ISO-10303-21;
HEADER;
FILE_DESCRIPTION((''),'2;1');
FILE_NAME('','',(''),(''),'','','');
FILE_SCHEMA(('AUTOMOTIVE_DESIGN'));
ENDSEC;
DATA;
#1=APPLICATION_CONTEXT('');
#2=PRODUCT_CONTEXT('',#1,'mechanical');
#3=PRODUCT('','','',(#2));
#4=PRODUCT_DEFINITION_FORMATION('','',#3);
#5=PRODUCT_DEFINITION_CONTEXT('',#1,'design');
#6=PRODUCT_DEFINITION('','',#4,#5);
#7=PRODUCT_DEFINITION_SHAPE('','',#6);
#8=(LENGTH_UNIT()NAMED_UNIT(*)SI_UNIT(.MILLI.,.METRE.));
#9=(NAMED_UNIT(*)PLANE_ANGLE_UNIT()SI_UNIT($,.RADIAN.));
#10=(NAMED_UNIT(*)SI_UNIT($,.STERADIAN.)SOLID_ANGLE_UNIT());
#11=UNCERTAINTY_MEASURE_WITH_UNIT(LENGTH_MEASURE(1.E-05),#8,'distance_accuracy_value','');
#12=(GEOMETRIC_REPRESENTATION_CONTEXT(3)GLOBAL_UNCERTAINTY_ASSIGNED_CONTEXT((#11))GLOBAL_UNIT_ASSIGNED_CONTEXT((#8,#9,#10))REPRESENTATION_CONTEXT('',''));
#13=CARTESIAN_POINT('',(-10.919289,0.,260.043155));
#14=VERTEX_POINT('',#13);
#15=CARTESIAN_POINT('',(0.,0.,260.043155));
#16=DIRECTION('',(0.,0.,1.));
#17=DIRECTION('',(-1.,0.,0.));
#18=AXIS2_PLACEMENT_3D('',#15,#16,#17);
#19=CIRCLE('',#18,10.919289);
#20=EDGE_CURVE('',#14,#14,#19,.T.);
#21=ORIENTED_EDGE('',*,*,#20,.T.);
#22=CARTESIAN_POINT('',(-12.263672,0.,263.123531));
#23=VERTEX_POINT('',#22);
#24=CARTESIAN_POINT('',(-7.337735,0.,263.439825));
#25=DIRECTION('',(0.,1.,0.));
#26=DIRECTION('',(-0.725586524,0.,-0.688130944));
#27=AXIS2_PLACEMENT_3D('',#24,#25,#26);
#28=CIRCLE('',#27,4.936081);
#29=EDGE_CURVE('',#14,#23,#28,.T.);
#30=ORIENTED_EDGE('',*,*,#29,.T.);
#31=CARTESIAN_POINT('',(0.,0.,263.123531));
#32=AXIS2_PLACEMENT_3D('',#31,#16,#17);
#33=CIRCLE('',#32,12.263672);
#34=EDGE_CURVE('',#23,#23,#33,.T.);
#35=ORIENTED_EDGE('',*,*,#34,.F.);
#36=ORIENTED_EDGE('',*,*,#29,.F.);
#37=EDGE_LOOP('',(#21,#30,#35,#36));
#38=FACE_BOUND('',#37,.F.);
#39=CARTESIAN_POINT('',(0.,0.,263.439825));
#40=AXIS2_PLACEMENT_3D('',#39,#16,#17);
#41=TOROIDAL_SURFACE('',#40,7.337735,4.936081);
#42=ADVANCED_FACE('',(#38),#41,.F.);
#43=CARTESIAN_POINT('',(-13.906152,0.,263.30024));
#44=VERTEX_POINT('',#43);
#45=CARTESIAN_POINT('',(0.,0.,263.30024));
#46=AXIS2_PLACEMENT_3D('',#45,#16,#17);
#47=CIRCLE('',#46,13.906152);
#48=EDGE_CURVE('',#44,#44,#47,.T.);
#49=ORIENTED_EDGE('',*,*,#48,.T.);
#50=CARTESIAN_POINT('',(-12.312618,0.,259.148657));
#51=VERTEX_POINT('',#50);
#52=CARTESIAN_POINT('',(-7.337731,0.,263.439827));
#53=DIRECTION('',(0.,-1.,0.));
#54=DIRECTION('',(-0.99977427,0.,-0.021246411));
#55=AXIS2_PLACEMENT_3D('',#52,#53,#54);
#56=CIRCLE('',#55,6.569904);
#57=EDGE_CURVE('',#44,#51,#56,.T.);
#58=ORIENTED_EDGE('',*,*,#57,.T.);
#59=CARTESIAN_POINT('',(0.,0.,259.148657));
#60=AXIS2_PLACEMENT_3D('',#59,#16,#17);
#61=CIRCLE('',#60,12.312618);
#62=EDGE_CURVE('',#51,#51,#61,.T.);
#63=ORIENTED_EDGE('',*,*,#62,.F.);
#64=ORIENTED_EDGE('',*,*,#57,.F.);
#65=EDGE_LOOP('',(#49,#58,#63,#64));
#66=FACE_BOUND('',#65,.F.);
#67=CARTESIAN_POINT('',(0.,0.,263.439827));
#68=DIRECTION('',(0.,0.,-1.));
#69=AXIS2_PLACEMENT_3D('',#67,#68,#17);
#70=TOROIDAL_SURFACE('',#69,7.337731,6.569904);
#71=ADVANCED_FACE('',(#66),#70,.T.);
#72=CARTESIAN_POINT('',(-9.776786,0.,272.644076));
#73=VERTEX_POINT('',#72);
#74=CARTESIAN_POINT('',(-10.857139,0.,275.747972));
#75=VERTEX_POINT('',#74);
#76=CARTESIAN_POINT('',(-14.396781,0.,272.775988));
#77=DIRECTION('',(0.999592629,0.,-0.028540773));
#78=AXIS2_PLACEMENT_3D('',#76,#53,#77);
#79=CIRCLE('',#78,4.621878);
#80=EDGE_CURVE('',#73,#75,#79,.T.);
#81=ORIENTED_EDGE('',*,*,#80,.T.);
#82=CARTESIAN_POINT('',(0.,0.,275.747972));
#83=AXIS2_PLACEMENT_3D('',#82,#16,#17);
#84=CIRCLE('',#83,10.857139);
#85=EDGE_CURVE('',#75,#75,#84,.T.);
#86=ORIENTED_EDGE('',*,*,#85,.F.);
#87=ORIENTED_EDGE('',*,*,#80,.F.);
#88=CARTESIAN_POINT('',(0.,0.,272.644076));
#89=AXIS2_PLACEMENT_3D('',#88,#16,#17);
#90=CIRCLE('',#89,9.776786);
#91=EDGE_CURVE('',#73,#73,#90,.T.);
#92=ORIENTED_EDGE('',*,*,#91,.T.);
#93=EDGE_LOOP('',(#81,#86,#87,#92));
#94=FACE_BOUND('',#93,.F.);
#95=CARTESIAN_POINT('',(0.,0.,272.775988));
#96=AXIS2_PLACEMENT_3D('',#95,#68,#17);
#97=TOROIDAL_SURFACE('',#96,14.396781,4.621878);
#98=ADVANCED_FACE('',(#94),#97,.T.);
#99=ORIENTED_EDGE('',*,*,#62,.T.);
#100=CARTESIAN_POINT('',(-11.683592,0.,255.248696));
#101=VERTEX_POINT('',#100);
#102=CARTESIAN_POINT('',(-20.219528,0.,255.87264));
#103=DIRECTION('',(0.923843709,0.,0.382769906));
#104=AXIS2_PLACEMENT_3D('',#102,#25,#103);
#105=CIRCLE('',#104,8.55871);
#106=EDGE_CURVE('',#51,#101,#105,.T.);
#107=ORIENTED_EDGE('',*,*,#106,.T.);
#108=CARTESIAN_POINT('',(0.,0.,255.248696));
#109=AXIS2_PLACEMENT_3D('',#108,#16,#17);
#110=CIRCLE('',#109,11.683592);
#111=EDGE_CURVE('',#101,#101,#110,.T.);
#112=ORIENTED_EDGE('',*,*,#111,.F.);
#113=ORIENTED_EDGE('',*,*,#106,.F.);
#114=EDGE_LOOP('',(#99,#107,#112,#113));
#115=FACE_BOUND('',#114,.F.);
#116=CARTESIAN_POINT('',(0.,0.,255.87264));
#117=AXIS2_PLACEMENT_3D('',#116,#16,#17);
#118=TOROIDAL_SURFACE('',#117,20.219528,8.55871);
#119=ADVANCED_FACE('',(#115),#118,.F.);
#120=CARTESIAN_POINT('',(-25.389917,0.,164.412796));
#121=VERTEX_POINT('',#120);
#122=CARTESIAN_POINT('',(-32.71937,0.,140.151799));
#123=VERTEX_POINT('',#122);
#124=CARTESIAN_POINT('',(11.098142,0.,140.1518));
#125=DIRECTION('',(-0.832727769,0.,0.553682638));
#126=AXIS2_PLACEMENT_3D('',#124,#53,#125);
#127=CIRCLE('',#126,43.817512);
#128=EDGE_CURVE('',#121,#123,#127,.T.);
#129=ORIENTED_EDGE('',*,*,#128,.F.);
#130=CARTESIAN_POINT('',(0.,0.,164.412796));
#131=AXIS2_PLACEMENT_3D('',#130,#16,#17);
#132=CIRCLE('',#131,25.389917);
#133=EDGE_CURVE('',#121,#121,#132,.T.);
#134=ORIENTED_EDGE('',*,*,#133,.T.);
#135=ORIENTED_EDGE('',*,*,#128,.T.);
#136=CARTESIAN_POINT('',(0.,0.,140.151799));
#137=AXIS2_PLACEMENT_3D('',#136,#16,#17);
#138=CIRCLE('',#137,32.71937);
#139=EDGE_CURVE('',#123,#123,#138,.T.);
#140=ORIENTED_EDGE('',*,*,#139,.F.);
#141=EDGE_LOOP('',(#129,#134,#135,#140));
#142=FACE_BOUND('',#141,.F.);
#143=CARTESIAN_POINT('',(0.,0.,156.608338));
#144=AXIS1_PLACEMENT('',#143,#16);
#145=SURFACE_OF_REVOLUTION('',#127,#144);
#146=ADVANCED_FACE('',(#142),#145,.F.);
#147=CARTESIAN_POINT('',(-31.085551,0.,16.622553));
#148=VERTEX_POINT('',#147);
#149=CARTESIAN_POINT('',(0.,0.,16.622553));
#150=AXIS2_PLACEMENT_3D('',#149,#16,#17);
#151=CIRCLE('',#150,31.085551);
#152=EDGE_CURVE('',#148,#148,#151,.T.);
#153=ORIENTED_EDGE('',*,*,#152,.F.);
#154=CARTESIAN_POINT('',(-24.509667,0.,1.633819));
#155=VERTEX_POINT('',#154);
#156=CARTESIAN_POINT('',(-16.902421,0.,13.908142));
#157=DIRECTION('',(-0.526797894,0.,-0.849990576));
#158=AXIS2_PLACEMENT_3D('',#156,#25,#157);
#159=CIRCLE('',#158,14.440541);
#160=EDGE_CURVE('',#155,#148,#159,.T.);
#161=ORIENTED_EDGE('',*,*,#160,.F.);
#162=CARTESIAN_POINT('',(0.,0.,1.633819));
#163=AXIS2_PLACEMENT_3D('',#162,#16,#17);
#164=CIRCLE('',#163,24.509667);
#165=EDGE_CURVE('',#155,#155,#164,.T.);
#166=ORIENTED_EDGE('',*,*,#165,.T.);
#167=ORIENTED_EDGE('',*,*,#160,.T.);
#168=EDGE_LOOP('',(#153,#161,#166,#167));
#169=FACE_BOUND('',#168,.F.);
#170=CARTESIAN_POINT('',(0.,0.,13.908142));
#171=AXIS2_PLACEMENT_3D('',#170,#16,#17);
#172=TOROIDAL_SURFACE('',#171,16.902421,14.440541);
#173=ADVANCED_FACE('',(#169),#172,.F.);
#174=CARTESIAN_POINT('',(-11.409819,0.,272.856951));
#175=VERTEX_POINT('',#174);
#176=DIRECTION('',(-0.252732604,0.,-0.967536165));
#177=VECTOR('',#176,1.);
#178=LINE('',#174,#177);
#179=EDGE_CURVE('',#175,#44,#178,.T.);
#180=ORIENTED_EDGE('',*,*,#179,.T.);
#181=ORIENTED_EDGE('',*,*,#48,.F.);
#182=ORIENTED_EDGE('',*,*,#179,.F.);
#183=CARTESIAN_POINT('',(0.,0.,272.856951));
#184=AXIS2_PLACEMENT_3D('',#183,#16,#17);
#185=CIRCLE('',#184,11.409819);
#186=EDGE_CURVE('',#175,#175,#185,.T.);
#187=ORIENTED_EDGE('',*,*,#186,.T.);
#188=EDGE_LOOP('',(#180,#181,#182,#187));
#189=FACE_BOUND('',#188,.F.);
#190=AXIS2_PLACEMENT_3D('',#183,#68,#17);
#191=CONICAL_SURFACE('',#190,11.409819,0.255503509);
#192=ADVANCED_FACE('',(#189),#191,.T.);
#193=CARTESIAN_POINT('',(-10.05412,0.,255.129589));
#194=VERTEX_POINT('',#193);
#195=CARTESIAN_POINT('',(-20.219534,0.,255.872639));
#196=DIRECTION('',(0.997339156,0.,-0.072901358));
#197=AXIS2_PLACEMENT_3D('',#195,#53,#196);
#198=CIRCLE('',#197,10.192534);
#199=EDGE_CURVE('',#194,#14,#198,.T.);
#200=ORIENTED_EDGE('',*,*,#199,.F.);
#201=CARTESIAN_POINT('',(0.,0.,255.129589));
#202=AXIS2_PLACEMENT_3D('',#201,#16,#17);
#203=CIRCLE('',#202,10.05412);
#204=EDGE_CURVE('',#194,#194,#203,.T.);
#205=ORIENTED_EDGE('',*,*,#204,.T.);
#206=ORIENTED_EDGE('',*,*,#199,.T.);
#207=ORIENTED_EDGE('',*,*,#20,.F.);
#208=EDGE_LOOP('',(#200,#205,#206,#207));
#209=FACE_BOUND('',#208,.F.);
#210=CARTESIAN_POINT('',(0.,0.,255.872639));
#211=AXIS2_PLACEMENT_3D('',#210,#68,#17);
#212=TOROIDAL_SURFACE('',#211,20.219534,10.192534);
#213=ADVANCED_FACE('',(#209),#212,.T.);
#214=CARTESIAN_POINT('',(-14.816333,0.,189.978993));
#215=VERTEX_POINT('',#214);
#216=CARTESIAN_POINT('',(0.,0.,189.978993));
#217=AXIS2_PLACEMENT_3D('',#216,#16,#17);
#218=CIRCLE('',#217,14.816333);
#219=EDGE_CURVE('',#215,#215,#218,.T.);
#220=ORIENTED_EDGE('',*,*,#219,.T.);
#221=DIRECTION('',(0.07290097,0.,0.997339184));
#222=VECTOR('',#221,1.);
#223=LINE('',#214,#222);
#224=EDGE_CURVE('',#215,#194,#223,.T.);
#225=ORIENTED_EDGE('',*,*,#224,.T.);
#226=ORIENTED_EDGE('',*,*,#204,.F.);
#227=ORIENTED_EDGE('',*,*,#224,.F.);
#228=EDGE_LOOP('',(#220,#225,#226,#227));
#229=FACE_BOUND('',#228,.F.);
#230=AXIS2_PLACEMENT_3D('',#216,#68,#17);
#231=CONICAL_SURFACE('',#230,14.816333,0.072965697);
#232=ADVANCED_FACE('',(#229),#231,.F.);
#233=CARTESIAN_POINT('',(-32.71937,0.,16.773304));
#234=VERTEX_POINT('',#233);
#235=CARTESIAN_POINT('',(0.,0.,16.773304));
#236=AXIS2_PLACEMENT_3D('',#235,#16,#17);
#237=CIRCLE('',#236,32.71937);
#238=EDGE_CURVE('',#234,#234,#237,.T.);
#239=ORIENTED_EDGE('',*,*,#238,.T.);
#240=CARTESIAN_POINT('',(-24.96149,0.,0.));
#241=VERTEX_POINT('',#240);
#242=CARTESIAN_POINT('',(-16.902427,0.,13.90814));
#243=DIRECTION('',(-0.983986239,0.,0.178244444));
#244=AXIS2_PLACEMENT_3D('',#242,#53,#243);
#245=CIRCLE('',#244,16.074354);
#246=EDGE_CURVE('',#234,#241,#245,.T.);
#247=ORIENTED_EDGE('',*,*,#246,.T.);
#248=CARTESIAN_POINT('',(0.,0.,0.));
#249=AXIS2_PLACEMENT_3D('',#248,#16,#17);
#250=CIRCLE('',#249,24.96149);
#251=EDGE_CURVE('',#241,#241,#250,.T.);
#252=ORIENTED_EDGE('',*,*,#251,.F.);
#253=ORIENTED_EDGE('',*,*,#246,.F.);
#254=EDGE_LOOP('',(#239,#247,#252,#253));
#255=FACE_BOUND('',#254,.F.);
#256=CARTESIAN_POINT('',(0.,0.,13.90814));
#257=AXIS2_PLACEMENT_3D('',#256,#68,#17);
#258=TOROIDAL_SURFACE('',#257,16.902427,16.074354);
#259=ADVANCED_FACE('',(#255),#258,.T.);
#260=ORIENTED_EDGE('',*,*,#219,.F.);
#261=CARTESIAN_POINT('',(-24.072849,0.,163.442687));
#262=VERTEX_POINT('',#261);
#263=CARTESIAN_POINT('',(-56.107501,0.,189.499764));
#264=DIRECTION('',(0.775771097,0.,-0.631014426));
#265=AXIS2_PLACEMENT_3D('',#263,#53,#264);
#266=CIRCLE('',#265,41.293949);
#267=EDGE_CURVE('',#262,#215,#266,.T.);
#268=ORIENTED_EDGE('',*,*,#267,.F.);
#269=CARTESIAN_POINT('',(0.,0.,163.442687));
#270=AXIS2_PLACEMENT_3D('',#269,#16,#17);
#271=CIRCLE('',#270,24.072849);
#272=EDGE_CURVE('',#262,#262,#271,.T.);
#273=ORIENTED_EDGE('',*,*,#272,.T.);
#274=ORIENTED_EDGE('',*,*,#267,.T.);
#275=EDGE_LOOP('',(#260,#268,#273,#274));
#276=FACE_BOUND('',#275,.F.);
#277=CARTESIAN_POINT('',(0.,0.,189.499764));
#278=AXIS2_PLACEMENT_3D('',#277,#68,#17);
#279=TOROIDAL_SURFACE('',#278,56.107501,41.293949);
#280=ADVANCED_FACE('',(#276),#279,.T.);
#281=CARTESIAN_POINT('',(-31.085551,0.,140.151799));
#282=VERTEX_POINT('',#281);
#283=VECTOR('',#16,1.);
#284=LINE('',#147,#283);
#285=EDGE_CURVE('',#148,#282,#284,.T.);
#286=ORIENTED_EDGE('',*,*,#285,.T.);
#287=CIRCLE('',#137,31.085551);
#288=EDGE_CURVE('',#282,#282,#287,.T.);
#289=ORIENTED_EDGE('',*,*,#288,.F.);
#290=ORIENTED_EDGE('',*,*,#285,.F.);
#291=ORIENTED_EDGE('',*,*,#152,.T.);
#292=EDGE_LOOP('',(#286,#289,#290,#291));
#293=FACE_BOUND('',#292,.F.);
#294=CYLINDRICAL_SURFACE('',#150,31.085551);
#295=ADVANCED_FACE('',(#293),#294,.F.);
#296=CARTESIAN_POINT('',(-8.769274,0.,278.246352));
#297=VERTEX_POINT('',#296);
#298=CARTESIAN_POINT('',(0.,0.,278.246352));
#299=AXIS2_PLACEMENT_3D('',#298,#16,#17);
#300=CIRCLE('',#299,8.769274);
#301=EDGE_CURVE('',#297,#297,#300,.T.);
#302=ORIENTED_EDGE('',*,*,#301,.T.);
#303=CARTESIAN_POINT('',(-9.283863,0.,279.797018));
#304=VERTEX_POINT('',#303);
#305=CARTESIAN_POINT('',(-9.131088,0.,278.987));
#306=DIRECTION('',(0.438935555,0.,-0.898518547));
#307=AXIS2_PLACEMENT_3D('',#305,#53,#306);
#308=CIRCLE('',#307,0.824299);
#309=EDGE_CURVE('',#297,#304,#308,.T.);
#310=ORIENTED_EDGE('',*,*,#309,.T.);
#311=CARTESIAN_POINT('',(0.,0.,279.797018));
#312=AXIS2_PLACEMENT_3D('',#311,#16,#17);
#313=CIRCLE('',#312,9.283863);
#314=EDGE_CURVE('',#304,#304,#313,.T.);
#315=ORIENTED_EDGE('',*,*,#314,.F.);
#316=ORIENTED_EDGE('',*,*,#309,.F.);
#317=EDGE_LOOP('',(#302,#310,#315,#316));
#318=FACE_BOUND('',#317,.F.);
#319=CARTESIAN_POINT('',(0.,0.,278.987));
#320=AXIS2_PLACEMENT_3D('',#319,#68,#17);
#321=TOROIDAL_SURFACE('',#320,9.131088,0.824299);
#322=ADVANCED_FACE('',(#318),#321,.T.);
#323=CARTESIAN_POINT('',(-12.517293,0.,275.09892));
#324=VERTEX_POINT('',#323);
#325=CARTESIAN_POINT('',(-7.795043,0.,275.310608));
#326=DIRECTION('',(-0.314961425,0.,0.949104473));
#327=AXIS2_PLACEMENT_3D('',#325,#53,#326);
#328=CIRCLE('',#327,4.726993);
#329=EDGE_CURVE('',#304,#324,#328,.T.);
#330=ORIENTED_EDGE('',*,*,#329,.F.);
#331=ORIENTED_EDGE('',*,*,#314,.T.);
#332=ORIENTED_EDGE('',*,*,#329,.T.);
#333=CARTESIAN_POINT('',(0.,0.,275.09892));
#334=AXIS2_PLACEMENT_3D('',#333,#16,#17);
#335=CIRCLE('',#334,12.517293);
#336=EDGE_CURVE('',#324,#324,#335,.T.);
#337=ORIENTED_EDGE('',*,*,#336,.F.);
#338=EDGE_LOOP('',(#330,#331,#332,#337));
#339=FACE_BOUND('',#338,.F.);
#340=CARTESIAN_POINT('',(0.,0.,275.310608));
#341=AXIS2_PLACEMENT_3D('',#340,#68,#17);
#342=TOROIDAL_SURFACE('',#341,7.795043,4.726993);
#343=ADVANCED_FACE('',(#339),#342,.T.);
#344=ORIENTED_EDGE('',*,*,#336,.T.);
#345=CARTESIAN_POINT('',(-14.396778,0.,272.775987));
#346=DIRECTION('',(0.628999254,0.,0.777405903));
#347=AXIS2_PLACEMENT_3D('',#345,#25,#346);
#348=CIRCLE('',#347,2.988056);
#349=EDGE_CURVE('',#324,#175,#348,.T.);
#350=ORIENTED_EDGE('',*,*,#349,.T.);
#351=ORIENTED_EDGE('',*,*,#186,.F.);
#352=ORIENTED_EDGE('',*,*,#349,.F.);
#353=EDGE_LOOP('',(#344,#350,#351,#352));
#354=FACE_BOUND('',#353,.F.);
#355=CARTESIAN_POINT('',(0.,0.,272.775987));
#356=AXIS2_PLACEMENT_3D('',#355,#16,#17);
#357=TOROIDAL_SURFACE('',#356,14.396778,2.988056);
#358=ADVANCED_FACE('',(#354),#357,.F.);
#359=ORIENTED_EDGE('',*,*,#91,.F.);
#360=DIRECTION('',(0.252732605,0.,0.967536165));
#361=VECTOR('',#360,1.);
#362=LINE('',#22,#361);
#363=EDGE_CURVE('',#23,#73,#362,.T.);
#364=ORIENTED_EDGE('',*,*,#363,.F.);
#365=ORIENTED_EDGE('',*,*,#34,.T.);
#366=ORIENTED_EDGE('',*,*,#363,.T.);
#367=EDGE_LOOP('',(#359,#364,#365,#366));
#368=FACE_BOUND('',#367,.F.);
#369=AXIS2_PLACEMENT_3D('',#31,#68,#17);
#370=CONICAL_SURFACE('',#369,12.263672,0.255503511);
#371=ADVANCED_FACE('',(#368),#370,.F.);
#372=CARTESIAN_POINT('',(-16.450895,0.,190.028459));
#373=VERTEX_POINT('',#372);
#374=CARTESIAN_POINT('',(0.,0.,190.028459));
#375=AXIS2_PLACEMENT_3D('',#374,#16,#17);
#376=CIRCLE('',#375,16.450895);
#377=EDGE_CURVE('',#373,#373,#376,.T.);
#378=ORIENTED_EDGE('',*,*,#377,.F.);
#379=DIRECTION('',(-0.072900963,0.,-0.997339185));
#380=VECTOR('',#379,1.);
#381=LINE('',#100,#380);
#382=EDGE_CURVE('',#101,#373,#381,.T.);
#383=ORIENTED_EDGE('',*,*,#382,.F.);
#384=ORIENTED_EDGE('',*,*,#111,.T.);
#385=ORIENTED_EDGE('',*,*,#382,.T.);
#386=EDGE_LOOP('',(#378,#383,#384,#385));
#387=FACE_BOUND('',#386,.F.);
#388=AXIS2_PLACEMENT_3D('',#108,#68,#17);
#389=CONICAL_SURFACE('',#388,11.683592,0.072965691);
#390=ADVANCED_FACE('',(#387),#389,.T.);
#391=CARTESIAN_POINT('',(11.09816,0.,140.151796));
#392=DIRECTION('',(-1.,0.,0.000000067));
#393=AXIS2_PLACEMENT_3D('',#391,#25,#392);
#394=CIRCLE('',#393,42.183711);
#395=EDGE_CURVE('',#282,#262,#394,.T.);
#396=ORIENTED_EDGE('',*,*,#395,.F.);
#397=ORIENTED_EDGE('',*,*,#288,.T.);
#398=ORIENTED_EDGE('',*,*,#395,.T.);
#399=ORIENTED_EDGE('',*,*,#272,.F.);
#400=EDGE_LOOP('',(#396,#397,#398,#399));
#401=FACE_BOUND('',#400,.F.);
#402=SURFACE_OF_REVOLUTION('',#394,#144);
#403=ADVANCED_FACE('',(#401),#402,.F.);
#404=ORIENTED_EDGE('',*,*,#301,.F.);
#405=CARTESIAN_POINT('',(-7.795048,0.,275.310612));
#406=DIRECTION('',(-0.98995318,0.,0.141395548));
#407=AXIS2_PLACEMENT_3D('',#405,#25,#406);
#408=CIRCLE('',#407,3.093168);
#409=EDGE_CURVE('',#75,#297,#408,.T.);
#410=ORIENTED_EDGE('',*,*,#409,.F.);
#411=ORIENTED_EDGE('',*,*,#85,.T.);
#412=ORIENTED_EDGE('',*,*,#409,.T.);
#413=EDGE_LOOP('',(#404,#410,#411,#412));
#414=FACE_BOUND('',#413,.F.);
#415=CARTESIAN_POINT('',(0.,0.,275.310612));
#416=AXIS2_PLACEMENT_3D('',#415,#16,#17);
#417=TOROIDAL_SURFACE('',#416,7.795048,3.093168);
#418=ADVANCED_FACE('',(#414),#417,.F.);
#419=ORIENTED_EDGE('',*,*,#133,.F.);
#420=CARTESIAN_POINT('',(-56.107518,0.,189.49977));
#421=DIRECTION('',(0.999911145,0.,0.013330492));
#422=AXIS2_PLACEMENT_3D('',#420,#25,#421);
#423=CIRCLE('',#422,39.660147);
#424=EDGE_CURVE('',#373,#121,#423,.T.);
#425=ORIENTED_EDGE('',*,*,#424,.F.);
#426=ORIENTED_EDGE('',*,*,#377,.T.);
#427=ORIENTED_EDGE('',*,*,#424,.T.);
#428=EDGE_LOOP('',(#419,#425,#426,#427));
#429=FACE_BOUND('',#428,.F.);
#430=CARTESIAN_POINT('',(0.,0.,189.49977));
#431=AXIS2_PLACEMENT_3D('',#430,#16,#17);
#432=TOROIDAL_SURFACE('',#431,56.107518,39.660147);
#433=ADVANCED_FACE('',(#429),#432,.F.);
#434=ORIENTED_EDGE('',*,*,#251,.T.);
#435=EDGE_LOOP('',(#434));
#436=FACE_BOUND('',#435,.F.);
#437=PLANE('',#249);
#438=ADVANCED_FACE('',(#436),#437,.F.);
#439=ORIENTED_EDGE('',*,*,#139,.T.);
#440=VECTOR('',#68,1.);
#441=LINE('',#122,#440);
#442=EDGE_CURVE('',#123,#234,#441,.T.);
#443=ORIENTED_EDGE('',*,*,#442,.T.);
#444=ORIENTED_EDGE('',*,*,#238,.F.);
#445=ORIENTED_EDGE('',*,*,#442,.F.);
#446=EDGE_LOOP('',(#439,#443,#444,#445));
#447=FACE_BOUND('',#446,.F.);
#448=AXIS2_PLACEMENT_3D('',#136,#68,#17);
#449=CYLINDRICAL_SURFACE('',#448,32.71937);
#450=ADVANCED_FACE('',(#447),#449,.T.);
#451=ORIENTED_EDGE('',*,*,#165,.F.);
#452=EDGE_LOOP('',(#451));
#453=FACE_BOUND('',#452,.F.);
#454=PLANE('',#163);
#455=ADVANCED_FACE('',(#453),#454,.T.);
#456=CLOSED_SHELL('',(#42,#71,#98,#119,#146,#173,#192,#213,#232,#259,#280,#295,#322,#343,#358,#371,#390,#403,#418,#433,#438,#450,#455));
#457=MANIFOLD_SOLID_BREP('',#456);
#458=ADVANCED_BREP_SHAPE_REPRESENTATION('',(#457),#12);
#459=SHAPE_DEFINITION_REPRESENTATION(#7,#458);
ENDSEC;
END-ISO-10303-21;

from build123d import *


with BuildPart() as f1:
    # F0 (on Front) → F1 (revolve)
    with BuildSketch(Plane.XZ):
        with BuildLine():
            Line((-24.96149, 0), (0, 0))
            Line((0, 0), (0, 1.633819))
            Line((0, 1.633819), (-24.509667, 1.633819))
            ThreePointArc((-24.509667, 1.633819), (-30.126288, 8.106544), (-31.085551, 16.622553))
            Line((-31.085551, 16.622553), (-31.085551, 140.151799))
            ThreePointArc((-31.085551, 140.151799), (-29.294346, 152.31366), (-24.072849, 163.442687))
            ThreePointArc((-24.072849, 163.442687), (-17.117594, 175.899126), (-14.816333, 189.978993))
            Line((-14.816333, 189.978993), (-10.05412, 255.129589))
            ThreePointArc((-10.05412, 255.129589), (-10.181419, 257.640126), (-10.919289, 260.043155))
            ThreePointArc((-10.919289, 260.043155), (-11.86173, 261.465397), (-12.263672, 263.123531))
            Line((-12.263672, 263.123531), (-9.776786, 272.644076))
            ThreePointArc((-9.776786, 272.644076), (-10.031754, 274.295295), (-10.857139, 275.747972))
            ThreePointArc((-10.857139, 275.747972), (-10.168535, 277.294105), (-8.769274, 278.246352))
            ThreePointArc((-8.769274, 278.246352), (-8.348742, 279.246622), (-9.283863, 279.797018))
            ThreePointArc((-9.283863, 279.797018), (-11.688933, 277.990548), (-12.517293, 275.09892))
            ThreePointArc((-12.517293, 275.09892), (-11.717753, 274.099356), (-11.409819, 272.856951))
            Line((-11.409819, 272.856951), (-13.906152, 263.30024))
            ThreePointArc((-13.906152, 263.30024), (-13.471319, 261.085525), (-12.312618, 259.148657))
            ThreePointArc((-12.312618, 259.148657), (-11.770018, 257.235465), (-11.683592, 255.248696))
            Line((-11.683592, 255.248696), (-16.450895, 190.028459))
            ThreePointArc((-16.450895, 190.028459), (-18.661912, 176.432488), (-25.389917, 164.412796))
            ThreePointArc((-25.389917, 164.412796), (-30.847003, 152.823784), (-32.71937, 140.151799))
            Line((-32.71937, 140.151799), (-32.71937, 16.773304))
            ThreePointArc((-32.71937, 16.773304), (-31.49187, 7.160325), (-24.96149, 0))
        make_face()
    revolve(axis=Axis((0, 0, 156.608338), (0, 0, 1)))


solid = f1.part
